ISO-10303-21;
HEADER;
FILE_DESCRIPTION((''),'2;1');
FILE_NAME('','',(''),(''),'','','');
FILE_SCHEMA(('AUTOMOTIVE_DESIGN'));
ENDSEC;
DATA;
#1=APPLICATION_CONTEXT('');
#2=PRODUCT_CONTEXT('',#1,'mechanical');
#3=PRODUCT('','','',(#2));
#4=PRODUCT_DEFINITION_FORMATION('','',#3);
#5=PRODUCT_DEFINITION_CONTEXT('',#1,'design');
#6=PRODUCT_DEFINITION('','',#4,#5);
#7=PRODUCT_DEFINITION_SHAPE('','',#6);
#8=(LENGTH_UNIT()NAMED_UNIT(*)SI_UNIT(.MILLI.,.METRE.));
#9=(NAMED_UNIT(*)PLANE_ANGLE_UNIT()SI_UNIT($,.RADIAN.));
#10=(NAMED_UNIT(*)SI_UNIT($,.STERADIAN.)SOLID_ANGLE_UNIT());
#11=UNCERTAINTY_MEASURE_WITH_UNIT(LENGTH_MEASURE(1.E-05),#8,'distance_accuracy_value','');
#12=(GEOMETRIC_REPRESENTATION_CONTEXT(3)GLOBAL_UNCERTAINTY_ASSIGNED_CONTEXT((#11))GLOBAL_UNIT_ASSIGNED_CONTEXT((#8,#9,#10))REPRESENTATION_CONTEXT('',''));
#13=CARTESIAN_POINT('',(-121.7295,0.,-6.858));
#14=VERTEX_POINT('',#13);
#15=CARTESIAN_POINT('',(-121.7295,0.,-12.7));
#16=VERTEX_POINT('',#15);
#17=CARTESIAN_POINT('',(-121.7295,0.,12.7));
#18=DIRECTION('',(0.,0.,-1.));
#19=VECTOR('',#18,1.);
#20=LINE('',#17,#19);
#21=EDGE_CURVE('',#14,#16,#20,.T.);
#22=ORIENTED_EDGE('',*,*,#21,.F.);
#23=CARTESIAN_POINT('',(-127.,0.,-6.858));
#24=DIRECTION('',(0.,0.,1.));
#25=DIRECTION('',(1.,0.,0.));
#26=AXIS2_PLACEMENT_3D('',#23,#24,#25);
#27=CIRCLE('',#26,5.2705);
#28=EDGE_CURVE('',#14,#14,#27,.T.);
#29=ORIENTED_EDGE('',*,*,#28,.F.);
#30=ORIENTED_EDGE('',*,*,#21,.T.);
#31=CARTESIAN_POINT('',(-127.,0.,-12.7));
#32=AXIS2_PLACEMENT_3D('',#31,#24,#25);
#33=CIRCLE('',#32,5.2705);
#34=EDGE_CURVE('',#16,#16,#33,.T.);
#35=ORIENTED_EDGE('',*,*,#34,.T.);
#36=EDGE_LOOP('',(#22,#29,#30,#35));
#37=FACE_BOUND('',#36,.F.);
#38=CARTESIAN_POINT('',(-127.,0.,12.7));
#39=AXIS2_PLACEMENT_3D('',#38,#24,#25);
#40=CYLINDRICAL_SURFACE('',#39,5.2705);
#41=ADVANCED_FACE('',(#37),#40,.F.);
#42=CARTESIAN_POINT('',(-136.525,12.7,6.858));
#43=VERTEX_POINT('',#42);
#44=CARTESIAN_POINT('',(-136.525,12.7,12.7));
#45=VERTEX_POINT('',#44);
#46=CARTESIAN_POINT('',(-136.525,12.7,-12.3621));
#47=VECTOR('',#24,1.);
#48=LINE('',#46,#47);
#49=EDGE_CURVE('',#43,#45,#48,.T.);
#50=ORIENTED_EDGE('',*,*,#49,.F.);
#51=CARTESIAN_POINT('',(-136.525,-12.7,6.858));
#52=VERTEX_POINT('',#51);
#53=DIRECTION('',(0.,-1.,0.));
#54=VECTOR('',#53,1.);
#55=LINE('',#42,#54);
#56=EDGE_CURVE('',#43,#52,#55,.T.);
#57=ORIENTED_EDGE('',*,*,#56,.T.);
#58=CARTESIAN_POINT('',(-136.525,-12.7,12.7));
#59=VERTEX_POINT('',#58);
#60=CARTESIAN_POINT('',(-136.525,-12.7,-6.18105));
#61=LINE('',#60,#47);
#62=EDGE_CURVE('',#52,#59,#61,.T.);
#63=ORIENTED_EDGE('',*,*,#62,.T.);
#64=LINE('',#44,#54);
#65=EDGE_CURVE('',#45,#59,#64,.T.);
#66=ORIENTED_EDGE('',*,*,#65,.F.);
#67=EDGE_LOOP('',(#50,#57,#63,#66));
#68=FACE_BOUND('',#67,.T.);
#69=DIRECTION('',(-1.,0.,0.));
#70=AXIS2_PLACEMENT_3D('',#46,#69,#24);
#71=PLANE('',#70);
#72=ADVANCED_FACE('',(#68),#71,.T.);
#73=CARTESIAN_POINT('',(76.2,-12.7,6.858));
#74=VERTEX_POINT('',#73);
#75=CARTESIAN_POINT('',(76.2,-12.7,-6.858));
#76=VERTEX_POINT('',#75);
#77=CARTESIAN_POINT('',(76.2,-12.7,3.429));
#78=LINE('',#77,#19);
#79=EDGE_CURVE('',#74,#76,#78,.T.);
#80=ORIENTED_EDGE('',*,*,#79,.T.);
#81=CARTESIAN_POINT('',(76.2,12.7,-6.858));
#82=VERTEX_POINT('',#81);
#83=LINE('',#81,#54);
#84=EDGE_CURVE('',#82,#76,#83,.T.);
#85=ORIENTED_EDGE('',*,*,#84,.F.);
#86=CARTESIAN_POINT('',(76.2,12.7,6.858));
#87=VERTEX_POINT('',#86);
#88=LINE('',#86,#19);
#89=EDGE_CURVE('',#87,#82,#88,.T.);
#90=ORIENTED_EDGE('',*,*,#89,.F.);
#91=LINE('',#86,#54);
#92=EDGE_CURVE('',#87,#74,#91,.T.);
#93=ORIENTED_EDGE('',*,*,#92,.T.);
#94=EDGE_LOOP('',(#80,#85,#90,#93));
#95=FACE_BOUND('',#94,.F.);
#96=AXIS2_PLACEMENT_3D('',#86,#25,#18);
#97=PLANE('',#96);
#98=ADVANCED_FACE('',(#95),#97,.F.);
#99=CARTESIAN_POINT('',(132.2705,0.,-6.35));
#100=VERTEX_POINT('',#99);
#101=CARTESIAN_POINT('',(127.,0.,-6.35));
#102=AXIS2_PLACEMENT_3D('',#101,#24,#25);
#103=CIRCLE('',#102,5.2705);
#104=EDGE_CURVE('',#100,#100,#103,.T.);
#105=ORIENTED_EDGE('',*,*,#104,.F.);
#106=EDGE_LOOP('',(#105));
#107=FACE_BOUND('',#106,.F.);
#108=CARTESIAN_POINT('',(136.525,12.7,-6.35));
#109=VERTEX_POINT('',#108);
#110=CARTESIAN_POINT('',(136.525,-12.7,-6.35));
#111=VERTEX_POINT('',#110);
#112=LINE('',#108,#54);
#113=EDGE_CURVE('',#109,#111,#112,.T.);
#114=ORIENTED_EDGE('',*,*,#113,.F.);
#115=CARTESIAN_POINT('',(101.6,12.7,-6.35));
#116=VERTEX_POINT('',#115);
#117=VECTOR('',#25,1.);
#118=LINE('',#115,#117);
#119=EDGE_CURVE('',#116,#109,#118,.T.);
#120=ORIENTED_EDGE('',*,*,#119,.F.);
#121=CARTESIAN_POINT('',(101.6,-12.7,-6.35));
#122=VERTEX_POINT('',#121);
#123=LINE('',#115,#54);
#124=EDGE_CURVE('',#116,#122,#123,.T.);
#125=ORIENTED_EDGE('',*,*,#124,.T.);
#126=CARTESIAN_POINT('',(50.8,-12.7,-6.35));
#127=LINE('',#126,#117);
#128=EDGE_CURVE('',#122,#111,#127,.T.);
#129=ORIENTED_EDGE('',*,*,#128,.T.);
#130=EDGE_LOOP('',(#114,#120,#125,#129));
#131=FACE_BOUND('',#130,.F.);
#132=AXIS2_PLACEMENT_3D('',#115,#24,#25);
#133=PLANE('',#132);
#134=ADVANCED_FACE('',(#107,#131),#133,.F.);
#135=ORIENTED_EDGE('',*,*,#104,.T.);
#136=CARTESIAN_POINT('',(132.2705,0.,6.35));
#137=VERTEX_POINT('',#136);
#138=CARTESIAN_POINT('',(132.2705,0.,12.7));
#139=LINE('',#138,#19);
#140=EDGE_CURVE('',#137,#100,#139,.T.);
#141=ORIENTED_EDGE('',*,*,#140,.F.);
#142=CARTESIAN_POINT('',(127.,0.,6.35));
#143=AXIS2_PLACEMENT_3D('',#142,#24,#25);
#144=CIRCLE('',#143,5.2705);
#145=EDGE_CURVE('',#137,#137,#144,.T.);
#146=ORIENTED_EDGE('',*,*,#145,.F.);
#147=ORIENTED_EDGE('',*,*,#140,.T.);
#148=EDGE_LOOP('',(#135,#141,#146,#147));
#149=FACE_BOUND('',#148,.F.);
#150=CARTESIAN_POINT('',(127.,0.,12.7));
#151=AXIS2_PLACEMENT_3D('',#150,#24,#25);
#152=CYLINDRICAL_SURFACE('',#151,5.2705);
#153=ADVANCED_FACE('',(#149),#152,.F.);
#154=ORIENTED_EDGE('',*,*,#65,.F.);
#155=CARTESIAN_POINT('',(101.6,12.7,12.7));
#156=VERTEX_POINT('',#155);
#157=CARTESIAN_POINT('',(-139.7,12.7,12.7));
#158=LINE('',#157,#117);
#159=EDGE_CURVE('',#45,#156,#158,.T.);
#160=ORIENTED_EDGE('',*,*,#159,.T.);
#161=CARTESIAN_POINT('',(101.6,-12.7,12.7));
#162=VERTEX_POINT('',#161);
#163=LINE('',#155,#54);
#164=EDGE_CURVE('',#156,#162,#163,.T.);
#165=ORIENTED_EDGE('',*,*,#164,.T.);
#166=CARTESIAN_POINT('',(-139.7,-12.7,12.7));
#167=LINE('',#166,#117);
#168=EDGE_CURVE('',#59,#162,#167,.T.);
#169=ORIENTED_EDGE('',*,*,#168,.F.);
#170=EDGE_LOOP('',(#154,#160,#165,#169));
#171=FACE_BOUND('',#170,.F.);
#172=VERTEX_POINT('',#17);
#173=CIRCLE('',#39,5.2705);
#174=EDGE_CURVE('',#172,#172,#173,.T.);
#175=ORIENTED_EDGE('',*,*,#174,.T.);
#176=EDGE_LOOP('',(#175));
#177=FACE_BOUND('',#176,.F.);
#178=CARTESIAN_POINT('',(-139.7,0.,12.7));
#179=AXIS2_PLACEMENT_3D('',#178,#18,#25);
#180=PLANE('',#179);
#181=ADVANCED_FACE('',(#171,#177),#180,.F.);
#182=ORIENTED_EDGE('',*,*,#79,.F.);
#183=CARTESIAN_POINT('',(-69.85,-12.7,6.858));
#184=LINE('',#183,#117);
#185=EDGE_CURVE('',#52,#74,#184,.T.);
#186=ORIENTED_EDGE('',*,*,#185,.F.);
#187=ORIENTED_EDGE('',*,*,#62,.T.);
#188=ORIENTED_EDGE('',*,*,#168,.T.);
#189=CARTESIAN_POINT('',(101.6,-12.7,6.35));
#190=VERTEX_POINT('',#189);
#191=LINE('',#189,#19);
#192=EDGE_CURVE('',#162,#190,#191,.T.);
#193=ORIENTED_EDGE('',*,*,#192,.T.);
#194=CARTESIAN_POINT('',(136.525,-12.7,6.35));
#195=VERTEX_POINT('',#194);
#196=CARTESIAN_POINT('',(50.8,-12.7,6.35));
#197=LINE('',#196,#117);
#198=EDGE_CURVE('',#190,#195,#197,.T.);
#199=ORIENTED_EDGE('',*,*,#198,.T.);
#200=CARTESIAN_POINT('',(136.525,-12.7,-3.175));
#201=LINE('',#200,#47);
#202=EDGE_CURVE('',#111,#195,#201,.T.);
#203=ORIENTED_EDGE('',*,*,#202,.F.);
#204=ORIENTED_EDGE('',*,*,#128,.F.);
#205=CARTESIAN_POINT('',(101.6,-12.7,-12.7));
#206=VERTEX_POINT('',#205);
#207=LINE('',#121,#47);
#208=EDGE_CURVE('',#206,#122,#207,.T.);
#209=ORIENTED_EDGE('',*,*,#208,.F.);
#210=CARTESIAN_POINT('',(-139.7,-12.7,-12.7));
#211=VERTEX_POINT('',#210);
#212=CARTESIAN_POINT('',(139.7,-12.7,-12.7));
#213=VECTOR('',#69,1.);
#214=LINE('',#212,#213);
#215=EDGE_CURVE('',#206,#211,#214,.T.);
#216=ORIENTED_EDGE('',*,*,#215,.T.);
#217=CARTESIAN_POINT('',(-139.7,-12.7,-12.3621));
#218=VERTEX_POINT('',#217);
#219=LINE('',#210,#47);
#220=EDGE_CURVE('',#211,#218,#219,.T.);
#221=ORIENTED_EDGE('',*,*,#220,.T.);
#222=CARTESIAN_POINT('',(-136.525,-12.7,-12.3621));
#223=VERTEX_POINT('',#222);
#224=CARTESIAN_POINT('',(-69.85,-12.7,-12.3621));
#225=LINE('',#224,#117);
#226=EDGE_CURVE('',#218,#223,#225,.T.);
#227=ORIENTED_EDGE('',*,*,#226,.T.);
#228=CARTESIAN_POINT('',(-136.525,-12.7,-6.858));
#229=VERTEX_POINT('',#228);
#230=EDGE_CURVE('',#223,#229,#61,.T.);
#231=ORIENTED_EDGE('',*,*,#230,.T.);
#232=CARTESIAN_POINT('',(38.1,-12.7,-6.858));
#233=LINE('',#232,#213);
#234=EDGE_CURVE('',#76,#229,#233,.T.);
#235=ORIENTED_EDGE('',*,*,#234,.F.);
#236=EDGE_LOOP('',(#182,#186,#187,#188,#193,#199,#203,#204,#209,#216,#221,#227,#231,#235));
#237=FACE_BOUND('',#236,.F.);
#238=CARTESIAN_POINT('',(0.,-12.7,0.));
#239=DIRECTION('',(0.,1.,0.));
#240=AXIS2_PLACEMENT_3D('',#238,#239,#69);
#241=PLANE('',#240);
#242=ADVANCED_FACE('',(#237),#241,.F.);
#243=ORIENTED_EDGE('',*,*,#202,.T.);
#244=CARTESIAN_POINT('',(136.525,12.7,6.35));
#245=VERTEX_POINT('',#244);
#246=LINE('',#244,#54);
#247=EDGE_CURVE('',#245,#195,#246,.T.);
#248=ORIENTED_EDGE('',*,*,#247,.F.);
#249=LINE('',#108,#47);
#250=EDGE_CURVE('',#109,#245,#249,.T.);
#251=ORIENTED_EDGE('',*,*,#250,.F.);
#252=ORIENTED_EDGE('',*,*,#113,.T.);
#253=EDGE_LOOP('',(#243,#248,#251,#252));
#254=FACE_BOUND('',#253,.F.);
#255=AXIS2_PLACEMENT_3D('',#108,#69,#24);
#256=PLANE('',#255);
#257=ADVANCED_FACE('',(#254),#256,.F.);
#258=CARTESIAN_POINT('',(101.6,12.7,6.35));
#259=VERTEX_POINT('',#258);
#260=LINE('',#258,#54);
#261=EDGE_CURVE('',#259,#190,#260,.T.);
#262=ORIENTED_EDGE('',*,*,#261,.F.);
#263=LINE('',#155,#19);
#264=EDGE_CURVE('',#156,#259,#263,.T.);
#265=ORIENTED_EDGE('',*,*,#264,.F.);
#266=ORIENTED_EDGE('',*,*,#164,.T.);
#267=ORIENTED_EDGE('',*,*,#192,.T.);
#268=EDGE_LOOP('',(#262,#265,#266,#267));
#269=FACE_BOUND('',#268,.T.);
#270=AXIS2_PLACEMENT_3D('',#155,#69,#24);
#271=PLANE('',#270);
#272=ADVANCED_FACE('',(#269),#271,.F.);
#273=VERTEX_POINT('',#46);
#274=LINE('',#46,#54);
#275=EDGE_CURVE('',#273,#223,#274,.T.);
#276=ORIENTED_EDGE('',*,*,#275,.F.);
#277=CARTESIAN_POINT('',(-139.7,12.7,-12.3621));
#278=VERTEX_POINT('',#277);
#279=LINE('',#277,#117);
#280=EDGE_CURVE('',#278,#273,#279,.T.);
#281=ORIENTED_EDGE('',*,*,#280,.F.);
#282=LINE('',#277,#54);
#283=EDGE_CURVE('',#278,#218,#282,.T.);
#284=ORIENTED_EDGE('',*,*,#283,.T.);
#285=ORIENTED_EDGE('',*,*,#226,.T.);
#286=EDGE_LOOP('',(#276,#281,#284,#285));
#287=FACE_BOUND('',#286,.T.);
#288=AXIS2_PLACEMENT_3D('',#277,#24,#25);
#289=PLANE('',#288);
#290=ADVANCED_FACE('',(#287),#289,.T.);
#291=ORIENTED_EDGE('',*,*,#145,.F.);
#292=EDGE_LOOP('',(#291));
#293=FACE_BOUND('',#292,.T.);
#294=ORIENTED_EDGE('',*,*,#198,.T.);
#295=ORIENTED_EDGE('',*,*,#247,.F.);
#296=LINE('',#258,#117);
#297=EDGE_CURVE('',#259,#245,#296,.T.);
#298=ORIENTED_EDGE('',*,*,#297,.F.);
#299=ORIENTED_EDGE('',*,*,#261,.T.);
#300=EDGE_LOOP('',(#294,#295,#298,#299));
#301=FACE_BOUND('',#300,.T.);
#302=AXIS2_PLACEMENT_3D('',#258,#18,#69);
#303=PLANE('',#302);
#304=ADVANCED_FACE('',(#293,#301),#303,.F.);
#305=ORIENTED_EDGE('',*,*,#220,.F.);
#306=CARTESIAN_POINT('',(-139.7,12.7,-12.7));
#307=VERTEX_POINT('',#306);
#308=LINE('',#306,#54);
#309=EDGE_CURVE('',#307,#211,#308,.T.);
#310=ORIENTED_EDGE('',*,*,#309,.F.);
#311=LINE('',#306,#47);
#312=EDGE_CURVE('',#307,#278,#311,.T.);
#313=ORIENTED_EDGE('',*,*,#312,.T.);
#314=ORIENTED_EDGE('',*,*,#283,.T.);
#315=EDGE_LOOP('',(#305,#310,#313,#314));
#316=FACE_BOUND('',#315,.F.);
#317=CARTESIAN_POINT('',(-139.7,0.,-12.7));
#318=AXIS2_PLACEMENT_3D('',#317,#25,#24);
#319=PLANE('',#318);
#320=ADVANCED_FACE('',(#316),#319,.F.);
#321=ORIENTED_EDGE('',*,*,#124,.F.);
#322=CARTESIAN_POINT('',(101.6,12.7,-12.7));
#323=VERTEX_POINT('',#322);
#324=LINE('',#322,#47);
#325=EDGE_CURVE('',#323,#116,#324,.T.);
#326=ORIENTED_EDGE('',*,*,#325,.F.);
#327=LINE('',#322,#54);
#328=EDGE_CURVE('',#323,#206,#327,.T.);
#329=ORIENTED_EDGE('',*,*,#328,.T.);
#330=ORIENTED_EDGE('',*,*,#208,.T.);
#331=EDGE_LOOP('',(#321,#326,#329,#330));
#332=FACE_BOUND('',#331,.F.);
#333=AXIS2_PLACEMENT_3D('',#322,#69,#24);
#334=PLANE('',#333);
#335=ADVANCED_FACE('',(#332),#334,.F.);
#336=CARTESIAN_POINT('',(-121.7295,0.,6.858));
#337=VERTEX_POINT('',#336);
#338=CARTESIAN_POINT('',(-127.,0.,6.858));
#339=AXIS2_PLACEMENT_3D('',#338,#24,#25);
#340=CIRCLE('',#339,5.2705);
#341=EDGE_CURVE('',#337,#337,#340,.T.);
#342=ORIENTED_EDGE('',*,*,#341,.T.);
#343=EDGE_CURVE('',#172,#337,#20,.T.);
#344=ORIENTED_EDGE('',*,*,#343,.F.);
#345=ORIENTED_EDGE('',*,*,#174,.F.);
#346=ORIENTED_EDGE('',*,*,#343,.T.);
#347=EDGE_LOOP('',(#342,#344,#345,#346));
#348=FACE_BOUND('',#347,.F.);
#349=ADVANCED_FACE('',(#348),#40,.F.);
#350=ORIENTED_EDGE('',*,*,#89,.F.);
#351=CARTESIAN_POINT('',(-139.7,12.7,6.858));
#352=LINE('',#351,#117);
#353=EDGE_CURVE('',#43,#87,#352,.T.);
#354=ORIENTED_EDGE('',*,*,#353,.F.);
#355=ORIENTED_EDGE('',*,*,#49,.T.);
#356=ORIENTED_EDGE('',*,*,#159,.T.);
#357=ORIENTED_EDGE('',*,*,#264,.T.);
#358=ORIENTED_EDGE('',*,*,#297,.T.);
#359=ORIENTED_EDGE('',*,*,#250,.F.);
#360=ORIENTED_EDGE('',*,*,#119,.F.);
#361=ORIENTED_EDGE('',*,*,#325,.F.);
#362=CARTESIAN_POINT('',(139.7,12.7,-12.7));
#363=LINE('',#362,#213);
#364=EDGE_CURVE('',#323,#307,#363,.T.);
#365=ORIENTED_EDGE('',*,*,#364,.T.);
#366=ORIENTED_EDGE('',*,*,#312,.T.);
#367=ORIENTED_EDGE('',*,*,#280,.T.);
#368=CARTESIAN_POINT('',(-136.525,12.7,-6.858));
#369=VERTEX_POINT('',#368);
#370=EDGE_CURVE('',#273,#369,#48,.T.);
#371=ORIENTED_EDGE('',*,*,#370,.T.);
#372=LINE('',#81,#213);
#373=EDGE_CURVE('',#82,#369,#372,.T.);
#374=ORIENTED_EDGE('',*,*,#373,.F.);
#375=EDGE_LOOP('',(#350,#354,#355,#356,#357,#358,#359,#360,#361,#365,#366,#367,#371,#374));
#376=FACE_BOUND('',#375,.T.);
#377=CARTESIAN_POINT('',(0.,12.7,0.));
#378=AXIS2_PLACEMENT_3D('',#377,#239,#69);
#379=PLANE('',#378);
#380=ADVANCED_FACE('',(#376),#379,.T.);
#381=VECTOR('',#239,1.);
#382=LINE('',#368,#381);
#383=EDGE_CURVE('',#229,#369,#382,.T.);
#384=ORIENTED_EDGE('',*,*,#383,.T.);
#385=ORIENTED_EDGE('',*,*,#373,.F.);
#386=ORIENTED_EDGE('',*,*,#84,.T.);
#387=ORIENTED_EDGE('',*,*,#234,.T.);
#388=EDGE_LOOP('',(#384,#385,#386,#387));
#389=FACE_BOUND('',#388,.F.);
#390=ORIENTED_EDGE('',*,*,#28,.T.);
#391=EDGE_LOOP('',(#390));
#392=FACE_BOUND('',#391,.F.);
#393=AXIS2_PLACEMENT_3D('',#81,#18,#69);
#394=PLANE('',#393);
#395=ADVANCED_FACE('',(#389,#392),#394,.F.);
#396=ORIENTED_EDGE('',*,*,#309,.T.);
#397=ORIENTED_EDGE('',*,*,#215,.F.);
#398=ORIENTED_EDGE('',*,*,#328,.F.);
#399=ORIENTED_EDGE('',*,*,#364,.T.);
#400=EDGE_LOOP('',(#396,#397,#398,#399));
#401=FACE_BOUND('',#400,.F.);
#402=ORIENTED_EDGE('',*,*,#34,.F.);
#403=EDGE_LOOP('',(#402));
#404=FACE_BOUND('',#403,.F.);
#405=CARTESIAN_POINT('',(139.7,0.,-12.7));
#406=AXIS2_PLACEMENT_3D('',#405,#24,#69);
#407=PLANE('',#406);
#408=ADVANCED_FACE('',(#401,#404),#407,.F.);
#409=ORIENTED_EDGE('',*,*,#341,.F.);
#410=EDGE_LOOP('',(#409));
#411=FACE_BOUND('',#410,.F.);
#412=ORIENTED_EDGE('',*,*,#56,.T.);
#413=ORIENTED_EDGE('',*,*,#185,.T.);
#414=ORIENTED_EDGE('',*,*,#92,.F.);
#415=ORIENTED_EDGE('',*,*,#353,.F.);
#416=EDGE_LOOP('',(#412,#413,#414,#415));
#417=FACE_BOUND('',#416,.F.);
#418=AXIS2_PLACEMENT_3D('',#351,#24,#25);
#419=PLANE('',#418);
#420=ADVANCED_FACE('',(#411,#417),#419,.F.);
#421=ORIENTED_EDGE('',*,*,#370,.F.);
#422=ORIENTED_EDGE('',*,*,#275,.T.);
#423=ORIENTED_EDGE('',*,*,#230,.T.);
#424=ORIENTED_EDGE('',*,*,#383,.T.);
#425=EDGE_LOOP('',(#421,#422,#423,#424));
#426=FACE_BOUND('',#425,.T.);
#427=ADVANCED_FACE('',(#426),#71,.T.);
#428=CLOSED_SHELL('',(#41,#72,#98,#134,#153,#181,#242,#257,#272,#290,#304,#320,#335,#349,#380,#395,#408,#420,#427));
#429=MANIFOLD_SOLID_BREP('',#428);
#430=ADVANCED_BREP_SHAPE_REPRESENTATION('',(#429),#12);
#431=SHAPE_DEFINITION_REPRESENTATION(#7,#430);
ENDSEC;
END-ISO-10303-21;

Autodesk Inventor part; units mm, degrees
ref_plane "YZ Plane" through (0, 0, 0) normal (1, 0, 0) x (0, 1, 0)
ref_plane "XZ Plane" through (0, 0, 0) normal (0, 1, 0) x (-1, 0, 0)
sketch "Sketch1" plane through (0, 0, 0) normal (0, 1, 0) x (-1, 0, 0)
  line L0 (139.7, 12.7) -> (-139.7, 12.7)
  line L1 (-139.7, 12.7) -> (-139.7, -12.7)
  line L2 (-139.7, -12.7) -> (139.7, -12.7)
  line L3 (139.7, -12.7) -> (139.7, 12.7)
  line L4 (139.7, 12.7) -> (-139.7, -12.7) construction
  line L5 (-139.7, 12.7) -> (139.7, -12.7) construction
  point P0 (0, 0)
  dimension "d0" = 279.4
  dimension "d1" = 25.4
extrude "Extrusion1" add sketch "Sketch1" along normal mid plane 25.4
sketch "Sketch3" plane through (0, 12.7, 0) normal (0, 1, 0) x (1, 0, 0)
  line L0 (-139.7, -6.858) -> (76.2, -6.858)
  line L1 (76.2, -6.858) -> (76.2, 6.858)
  line L2 (76.2, 6.858) -> (-139.7, 6.858)
  line L3 (-139.7, 6.858) -> (-139.7, -6.858)
  line L4 (-139.7, -6.858) -> (76.2, 6.858) construction
  line L5 (76.2, -6.858) -> (-139.7, 6.858) construction
  line L6 (-139.7, 12.7) -> (-139.7, -12.7) projected
  point P0 (0, 0)
  point P1 (-31.75, 0)
  dimension "d7" = 0
  dimension "d8" = 13.716
  dimension "d9" = 215.9
extrude "Extrusion2" cut sketch "Sketch3" against normal through all
sketch "Sketch4" plane through (0, 12.7, 0) normal (0, 1, 0) x (1, 0, 0)
  line L0 (139.7, 12.7) -> (-139.7, 12.7) projected
  line L1 (139.7, 12.7) -> (101.6, 12.7)
  line L2 (101.6, 12.7) -> (101.6, 6.35)
  line L3 (101.6, 6.35) -> (139.7, 6.35)
  line L4 (139.7, 6.35) -> (139.7, 12.7)
  line L5 (139.7, 0) -> (76.2, 0) construction
  line L6 (76.2, 6.858) -> (76.2, -6.858) construction
  point P0 (0, 0)
  point P1 (101.6, 12.7)
  dimension "d12" = 38.1
  dimension "d13" = 6.35
extrude "Extrusion3" cut sketch "Sketch4" against normal through all
mirror "Mirror1" about plane through (0, 0, 0) normal (0, 0, 1) of "Extrusion3"
sketch "Sketch5" plane through (-139.7, -12.7, 12.7) normal (0, 0, 1) x (1, 0, 0)
  circle A0 centre (12.7, 12.7) radius 5.2705
  circle A1 centre (266.7, 12.7) radius 5.2705
  line L0 (0, 0) -> (0, 25.4) projected
  line L1 (279.4, 25.4) -> (279.4, 0) projected
  point P0 (139.7, 12.7)
  dimension "d16" = 10.541
  dimension "d17" = 12.7
  dimension "d18" = 12.7
extrude "Extrusion4" cut sketch "Sketch5" against normal through all
sketch "Sketch6" plane through (0, 12.7, 0) normal (0, 1, 0) x (1, 0, 0)
  line L0 (-139.7, -12.7) -> (101.6, -12.7) projected
  line L1 (-139.7, 12.3621) -> (-136.525, 12.3621)
  line L2 (-136.525, 12.3621) -> (-136.525, -12.7)
  line L3 (-136.525, -12.7) -> (-139.7, -12.7)
  line L4 (-139.7, -12.7) -> (-139.7, 12.3621)
  line L5 (139.7, 6.35) -> (101.6, 6.35) projected
  line L6 (101.6, -6.35) -> (139.7, -6.35) projected
  line L7 (139.7, 6.35) -> (136.525, 6.35)
  line L8 (136.525, 6.35) -> (136.525, -6.35)
  line L9 (136.525, -6.35) -> (139.7, -6.35)
  line L10 (139.7, -6.35) -> (139.7, 6.35)
  point P0 (0, 0)
  dimension "d21" = 3.175
  dimension "d22" = 3.175
extrude "Extrusion5" cut sketch "Sketch6" against normal through all
properties part number "connectingRodV03-7-in" material "PET Plastic"
